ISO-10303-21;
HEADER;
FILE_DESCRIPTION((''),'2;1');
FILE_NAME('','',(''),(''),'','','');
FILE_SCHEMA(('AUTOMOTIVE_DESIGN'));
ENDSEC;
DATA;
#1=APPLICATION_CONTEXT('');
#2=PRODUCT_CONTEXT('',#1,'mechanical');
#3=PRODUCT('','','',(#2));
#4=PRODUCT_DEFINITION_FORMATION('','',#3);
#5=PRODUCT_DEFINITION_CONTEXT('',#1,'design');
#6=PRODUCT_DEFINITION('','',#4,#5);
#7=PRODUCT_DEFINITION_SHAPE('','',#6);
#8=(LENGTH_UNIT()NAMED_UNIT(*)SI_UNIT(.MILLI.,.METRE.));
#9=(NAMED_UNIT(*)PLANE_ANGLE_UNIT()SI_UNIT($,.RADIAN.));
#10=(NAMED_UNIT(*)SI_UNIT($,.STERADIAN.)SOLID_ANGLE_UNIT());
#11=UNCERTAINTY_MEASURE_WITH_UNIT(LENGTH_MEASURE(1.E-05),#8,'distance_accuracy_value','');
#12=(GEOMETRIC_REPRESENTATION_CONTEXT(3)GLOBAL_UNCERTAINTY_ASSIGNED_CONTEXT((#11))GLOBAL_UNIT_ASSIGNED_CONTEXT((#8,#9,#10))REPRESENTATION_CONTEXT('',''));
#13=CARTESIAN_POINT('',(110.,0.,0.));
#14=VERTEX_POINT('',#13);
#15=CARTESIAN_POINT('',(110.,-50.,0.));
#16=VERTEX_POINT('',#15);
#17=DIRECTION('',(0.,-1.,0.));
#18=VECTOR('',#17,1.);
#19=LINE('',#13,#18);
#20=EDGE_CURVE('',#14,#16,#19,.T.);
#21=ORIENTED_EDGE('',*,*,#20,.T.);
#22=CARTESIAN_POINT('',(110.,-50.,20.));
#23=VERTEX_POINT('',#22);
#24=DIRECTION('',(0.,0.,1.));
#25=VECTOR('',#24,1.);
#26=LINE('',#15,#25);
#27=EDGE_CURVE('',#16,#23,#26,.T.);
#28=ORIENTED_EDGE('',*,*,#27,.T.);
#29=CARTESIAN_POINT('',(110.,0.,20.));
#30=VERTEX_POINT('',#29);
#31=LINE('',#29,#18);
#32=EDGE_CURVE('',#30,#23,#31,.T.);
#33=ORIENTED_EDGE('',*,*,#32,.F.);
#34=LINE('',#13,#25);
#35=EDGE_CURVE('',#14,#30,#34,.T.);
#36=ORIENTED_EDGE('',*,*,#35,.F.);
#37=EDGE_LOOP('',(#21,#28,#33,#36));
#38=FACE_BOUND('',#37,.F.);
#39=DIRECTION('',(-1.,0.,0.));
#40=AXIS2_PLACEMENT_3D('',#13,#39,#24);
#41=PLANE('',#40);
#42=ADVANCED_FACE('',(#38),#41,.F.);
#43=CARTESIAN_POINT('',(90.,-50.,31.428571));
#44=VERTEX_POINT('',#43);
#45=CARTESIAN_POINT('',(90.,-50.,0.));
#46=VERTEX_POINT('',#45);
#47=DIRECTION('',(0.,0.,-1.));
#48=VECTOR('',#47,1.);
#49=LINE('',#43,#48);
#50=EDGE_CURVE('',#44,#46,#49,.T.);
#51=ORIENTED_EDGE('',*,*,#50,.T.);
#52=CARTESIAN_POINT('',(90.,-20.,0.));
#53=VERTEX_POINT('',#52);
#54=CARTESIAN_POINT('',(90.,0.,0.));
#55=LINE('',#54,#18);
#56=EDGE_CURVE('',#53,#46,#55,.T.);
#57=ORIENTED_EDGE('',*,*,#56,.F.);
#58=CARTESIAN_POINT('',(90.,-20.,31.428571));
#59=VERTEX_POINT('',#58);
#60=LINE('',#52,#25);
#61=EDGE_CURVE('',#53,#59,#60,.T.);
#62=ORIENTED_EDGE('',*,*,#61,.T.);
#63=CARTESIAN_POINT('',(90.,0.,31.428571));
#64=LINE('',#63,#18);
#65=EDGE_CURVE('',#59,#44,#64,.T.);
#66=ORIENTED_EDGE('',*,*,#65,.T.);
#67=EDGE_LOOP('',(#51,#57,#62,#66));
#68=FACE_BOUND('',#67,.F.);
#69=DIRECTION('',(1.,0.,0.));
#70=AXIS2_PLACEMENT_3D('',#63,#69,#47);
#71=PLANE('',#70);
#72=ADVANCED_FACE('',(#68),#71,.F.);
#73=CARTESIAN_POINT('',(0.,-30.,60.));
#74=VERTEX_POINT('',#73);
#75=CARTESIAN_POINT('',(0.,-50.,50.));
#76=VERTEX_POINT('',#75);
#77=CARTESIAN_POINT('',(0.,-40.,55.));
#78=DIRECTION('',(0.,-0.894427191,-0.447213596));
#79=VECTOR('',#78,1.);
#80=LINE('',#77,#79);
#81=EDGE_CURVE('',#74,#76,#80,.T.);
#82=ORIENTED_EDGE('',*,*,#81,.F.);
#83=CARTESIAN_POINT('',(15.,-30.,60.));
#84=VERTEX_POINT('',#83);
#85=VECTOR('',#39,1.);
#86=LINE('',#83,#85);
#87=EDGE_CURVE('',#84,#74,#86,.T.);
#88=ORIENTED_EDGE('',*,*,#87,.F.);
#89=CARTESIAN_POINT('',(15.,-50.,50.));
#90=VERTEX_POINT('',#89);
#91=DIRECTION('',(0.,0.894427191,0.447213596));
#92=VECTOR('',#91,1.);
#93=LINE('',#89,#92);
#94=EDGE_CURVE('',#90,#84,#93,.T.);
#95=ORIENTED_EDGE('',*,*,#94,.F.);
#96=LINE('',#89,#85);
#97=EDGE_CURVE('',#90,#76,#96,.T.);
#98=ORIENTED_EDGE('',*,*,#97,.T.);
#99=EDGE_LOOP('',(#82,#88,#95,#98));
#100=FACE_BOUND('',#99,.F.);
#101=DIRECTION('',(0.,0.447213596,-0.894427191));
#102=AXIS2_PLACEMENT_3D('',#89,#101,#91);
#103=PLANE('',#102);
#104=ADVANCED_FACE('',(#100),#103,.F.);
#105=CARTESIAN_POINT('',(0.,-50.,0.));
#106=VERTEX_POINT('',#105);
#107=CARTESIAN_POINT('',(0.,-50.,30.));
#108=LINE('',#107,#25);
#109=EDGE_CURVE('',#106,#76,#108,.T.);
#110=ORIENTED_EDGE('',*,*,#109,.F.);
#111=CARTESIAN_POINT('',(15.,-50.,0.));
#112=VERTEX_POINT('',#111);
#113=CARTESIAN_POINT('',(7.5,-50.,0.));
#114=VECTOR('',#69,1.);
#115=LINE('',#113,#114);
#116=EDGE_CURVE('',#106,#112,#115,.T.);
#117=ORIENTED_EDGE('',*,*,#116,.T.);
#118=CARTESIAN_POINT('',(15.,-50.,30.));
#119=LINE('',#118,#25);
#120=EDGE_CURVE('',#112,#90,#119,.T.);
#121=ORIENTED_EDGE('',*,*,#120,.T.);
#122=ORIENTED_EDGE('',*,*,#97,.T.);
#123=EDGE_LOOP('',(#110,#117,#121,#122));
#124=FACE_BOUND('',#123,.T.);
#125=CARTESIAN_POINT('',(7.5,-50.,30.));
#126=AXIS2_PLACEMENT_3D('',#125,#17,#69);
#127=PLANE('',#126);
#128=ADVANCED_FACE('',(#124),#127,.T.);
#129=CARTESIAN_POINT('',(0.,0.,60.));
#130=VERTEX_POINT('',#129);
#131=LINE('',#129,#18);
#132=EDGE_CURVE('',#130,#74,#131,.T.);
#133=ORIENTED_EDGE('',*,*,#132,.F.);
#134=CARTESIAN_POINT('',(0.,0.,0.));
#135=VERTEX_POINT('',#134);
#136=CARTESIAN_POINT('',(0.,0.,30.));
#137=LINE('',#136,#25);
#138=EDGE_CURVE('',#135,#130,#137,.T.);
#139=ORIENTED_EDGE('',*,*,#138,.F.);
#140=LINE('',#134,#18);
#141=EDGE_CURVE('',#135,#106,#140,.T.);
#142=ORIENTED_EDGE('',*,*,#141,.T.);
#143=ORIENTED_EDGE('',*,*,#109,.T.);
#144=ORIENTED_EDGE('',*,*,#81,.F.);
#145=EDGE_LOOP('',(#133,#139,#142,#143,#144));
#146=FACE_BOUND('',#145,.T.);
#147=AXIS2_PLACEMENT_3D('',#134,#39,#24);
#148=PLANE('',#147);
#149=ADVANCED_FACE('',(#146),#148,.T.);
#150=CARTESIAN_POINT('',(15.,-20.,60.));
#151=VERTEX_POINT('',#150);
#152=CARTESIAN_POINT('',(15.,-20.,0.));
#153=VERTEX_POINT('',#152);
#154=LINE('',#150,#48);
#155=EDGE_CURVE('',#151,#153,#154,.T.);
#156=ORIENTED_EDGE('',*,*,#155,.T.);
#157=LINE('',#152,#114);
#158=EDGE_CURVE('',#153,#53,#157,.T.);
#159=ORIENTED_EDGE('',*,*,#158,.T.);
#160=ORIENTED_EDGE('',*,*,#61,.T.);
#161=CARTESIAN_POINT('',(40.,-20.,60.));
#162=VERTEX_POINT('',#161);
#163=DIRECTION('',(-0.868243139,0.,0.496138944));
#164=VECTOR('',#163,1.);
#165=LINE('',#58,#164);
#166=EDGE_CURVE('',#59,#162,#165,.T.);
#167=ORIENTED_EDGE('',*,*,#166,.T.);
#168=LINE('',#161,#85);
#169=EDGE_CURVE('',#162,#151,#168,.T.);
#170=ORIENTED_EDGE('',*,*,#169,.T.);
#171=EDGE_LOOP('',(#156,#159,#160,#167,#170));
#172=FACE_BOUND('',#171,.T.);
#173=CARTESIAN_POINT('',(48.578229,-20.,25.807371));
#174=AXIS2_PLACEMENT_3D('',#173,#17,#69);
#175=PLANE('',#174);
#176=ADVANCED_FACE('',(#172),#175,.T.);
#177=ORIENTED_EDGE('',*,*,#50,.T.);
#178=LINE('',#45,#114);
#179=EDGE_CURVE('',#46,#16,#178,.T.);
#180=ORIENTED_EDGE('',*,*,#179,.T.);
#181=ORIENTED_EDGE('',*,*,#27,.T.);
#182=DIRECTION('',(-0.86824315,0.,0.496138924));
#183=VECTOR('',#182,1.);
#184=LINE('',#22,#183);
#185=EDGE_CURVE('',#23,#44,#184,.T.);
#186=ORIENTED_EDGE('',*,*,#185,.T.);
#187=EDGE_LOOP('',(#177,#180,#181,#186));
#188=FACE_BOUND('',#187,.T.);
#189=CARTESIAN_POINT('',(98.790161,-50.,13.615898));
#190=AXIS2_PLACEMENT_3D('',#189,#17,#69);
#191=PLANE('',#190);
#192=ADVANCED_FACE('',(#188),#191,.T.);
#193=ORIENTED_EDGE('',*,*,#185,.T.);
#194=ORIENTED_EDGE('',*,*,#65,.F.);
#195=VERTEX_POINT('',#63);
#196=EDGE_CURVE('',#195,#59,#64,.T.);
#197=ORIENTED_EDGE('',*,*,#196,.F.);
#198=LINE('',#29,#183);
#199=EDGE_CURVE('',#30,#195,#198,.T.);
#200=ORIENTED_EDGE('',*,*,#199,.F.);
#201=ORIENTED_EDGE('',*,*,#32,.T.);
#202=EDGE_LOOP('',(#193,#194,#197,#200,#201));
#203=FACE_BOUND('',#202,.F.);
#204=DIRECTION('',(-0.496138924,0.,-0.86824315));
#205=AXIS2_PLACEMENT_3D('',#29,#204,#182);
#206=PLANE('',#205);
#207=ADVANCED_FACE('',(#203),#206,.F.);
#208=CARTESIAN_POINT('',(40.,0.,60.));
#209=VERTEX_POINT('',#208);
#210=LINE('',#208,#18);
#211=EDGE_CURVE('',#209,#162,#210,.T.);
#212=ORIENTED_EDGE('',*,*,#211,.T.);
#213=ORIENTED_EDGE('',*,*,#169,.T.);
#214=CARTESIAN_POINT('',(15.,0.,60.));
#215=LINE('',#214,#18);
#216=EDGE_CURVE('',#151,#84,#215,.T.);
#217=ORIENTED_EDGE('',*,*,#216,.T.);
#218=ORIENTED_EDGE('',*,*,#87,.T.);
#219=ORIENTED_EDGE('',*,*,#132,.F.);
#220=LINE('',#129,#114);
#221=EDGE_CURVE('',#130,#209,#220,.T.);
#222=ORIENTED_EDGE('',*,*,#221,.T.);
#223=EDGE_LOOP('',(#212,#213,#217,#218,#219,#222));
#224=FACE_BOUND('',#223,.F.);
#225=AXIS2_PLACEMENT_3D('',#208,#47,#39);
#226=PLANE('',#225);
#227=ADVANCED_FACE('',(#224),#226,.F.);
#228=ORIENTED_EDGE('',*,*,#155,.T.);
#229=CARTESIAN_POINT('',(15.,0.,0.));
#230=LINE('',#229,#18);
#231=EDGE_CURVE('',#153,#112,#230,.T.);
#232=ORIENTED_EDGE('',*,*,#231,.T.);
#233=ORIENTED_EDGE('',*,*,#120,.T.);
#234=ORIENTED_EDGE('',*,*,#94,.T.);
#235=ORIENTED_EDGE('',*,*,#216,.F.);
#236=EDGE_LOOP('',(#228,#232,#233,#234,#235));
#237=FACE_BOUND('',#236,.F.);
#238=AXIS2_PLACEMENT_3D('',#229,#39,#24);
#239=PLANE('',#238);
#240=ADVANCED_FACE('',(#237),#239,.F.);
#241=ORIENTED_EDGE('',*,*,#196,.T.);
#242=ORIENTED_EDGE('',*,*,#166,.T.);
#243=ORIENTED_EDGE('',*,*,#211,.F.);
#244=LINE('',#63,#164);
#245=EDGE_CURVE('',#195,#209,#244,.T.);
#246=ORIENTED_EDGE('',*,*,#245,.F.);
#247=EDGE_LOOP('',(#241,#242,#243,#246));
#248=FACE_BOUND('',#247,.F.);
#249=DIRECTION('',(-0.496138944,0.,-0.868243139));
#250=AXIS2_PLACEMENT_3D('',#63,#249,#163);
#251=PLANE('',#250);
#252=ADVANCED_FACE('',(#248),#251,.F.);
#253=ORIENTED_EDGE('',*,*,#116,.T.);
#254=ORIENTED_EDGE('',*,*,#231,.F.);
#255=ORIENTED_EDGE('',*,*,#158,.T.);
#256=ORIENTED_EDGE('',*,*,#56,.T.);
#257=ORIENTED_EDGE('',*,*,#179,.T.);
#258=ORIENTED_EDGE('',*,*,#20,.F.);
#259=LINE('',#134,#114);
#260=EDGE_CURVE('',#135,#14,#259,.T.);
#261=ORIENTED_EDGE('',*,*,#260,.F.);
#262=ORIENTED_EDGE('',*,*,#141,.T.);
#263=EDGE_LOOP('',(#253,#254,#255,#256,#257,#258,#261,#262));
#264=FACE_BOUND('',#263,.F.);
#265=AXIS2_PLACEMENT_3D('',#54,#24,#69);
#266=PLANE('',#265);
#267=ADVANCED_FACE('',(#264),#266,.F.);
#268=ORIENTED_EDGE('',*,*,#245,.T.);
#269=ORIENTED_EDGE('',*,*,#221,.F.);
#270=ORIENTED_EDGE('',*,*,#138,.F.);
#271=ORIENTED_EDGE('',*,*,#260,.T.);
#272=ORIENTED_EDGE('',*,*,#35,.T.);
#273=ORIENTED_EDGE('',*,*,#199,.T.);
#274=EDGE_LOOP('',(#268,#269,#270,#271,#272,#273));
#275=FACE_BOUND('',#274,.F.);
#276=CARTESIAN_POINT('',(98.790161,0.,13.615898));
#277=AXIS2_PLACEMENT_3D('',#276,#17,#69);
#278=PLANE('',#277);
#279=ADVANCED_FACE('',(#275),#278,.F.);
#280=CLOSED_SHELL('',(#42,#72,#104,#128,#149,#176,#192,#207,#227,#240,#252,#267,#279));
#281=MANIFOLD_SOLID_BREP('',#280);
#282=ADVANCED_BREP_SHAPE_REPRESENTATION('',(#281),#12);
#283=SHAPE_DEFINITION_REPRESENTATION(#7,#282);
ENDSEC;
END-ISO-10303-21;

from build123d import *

# Parameters (mm, degrees)
F0_W     = 15
F0_H     = 60
F1_DEPTH = 50
F2_DEPTH = 20
F3_DEPTH = 50
F5_DEPTH = 15.001


with BuildPart() as f1:
    # F0 (on Front) → F1 (new body)
    with BuildSketch(Plane.XZ):
        with Locations((7.5, 30)):
            Rectangle(F0_W, F0_H)
    extrude(amount=F1_DEPTH)

    # F0 (on Front) → F2 (join)
    with BuildSketch(Plane.XZ):
        Polygon((15, 60), (15, 0), (90, 0), (90, 31.428571), (40, 60), align=None)
    extrude(amount=F2_DEPTH)

    # F0 (on Front) → F3 (join)
    with BuildSketch(Plane.XZ):
        Polygon((90, 31.428571), (90, 0), (110, 0), (110, 20), align=None)
    extrude(amount=F3_DEPTH)

    # F4 (on face) → F5 (cut, through all)
    with BuildSketch(Plane.YZ.offset(15)):
        Polygon((-50, 60), (-50, 50), (-30, 60), align=None)
    extrude(amount=-F5_DEPTH, mode=Mode.SUBTRACT)


solid = f1.part
